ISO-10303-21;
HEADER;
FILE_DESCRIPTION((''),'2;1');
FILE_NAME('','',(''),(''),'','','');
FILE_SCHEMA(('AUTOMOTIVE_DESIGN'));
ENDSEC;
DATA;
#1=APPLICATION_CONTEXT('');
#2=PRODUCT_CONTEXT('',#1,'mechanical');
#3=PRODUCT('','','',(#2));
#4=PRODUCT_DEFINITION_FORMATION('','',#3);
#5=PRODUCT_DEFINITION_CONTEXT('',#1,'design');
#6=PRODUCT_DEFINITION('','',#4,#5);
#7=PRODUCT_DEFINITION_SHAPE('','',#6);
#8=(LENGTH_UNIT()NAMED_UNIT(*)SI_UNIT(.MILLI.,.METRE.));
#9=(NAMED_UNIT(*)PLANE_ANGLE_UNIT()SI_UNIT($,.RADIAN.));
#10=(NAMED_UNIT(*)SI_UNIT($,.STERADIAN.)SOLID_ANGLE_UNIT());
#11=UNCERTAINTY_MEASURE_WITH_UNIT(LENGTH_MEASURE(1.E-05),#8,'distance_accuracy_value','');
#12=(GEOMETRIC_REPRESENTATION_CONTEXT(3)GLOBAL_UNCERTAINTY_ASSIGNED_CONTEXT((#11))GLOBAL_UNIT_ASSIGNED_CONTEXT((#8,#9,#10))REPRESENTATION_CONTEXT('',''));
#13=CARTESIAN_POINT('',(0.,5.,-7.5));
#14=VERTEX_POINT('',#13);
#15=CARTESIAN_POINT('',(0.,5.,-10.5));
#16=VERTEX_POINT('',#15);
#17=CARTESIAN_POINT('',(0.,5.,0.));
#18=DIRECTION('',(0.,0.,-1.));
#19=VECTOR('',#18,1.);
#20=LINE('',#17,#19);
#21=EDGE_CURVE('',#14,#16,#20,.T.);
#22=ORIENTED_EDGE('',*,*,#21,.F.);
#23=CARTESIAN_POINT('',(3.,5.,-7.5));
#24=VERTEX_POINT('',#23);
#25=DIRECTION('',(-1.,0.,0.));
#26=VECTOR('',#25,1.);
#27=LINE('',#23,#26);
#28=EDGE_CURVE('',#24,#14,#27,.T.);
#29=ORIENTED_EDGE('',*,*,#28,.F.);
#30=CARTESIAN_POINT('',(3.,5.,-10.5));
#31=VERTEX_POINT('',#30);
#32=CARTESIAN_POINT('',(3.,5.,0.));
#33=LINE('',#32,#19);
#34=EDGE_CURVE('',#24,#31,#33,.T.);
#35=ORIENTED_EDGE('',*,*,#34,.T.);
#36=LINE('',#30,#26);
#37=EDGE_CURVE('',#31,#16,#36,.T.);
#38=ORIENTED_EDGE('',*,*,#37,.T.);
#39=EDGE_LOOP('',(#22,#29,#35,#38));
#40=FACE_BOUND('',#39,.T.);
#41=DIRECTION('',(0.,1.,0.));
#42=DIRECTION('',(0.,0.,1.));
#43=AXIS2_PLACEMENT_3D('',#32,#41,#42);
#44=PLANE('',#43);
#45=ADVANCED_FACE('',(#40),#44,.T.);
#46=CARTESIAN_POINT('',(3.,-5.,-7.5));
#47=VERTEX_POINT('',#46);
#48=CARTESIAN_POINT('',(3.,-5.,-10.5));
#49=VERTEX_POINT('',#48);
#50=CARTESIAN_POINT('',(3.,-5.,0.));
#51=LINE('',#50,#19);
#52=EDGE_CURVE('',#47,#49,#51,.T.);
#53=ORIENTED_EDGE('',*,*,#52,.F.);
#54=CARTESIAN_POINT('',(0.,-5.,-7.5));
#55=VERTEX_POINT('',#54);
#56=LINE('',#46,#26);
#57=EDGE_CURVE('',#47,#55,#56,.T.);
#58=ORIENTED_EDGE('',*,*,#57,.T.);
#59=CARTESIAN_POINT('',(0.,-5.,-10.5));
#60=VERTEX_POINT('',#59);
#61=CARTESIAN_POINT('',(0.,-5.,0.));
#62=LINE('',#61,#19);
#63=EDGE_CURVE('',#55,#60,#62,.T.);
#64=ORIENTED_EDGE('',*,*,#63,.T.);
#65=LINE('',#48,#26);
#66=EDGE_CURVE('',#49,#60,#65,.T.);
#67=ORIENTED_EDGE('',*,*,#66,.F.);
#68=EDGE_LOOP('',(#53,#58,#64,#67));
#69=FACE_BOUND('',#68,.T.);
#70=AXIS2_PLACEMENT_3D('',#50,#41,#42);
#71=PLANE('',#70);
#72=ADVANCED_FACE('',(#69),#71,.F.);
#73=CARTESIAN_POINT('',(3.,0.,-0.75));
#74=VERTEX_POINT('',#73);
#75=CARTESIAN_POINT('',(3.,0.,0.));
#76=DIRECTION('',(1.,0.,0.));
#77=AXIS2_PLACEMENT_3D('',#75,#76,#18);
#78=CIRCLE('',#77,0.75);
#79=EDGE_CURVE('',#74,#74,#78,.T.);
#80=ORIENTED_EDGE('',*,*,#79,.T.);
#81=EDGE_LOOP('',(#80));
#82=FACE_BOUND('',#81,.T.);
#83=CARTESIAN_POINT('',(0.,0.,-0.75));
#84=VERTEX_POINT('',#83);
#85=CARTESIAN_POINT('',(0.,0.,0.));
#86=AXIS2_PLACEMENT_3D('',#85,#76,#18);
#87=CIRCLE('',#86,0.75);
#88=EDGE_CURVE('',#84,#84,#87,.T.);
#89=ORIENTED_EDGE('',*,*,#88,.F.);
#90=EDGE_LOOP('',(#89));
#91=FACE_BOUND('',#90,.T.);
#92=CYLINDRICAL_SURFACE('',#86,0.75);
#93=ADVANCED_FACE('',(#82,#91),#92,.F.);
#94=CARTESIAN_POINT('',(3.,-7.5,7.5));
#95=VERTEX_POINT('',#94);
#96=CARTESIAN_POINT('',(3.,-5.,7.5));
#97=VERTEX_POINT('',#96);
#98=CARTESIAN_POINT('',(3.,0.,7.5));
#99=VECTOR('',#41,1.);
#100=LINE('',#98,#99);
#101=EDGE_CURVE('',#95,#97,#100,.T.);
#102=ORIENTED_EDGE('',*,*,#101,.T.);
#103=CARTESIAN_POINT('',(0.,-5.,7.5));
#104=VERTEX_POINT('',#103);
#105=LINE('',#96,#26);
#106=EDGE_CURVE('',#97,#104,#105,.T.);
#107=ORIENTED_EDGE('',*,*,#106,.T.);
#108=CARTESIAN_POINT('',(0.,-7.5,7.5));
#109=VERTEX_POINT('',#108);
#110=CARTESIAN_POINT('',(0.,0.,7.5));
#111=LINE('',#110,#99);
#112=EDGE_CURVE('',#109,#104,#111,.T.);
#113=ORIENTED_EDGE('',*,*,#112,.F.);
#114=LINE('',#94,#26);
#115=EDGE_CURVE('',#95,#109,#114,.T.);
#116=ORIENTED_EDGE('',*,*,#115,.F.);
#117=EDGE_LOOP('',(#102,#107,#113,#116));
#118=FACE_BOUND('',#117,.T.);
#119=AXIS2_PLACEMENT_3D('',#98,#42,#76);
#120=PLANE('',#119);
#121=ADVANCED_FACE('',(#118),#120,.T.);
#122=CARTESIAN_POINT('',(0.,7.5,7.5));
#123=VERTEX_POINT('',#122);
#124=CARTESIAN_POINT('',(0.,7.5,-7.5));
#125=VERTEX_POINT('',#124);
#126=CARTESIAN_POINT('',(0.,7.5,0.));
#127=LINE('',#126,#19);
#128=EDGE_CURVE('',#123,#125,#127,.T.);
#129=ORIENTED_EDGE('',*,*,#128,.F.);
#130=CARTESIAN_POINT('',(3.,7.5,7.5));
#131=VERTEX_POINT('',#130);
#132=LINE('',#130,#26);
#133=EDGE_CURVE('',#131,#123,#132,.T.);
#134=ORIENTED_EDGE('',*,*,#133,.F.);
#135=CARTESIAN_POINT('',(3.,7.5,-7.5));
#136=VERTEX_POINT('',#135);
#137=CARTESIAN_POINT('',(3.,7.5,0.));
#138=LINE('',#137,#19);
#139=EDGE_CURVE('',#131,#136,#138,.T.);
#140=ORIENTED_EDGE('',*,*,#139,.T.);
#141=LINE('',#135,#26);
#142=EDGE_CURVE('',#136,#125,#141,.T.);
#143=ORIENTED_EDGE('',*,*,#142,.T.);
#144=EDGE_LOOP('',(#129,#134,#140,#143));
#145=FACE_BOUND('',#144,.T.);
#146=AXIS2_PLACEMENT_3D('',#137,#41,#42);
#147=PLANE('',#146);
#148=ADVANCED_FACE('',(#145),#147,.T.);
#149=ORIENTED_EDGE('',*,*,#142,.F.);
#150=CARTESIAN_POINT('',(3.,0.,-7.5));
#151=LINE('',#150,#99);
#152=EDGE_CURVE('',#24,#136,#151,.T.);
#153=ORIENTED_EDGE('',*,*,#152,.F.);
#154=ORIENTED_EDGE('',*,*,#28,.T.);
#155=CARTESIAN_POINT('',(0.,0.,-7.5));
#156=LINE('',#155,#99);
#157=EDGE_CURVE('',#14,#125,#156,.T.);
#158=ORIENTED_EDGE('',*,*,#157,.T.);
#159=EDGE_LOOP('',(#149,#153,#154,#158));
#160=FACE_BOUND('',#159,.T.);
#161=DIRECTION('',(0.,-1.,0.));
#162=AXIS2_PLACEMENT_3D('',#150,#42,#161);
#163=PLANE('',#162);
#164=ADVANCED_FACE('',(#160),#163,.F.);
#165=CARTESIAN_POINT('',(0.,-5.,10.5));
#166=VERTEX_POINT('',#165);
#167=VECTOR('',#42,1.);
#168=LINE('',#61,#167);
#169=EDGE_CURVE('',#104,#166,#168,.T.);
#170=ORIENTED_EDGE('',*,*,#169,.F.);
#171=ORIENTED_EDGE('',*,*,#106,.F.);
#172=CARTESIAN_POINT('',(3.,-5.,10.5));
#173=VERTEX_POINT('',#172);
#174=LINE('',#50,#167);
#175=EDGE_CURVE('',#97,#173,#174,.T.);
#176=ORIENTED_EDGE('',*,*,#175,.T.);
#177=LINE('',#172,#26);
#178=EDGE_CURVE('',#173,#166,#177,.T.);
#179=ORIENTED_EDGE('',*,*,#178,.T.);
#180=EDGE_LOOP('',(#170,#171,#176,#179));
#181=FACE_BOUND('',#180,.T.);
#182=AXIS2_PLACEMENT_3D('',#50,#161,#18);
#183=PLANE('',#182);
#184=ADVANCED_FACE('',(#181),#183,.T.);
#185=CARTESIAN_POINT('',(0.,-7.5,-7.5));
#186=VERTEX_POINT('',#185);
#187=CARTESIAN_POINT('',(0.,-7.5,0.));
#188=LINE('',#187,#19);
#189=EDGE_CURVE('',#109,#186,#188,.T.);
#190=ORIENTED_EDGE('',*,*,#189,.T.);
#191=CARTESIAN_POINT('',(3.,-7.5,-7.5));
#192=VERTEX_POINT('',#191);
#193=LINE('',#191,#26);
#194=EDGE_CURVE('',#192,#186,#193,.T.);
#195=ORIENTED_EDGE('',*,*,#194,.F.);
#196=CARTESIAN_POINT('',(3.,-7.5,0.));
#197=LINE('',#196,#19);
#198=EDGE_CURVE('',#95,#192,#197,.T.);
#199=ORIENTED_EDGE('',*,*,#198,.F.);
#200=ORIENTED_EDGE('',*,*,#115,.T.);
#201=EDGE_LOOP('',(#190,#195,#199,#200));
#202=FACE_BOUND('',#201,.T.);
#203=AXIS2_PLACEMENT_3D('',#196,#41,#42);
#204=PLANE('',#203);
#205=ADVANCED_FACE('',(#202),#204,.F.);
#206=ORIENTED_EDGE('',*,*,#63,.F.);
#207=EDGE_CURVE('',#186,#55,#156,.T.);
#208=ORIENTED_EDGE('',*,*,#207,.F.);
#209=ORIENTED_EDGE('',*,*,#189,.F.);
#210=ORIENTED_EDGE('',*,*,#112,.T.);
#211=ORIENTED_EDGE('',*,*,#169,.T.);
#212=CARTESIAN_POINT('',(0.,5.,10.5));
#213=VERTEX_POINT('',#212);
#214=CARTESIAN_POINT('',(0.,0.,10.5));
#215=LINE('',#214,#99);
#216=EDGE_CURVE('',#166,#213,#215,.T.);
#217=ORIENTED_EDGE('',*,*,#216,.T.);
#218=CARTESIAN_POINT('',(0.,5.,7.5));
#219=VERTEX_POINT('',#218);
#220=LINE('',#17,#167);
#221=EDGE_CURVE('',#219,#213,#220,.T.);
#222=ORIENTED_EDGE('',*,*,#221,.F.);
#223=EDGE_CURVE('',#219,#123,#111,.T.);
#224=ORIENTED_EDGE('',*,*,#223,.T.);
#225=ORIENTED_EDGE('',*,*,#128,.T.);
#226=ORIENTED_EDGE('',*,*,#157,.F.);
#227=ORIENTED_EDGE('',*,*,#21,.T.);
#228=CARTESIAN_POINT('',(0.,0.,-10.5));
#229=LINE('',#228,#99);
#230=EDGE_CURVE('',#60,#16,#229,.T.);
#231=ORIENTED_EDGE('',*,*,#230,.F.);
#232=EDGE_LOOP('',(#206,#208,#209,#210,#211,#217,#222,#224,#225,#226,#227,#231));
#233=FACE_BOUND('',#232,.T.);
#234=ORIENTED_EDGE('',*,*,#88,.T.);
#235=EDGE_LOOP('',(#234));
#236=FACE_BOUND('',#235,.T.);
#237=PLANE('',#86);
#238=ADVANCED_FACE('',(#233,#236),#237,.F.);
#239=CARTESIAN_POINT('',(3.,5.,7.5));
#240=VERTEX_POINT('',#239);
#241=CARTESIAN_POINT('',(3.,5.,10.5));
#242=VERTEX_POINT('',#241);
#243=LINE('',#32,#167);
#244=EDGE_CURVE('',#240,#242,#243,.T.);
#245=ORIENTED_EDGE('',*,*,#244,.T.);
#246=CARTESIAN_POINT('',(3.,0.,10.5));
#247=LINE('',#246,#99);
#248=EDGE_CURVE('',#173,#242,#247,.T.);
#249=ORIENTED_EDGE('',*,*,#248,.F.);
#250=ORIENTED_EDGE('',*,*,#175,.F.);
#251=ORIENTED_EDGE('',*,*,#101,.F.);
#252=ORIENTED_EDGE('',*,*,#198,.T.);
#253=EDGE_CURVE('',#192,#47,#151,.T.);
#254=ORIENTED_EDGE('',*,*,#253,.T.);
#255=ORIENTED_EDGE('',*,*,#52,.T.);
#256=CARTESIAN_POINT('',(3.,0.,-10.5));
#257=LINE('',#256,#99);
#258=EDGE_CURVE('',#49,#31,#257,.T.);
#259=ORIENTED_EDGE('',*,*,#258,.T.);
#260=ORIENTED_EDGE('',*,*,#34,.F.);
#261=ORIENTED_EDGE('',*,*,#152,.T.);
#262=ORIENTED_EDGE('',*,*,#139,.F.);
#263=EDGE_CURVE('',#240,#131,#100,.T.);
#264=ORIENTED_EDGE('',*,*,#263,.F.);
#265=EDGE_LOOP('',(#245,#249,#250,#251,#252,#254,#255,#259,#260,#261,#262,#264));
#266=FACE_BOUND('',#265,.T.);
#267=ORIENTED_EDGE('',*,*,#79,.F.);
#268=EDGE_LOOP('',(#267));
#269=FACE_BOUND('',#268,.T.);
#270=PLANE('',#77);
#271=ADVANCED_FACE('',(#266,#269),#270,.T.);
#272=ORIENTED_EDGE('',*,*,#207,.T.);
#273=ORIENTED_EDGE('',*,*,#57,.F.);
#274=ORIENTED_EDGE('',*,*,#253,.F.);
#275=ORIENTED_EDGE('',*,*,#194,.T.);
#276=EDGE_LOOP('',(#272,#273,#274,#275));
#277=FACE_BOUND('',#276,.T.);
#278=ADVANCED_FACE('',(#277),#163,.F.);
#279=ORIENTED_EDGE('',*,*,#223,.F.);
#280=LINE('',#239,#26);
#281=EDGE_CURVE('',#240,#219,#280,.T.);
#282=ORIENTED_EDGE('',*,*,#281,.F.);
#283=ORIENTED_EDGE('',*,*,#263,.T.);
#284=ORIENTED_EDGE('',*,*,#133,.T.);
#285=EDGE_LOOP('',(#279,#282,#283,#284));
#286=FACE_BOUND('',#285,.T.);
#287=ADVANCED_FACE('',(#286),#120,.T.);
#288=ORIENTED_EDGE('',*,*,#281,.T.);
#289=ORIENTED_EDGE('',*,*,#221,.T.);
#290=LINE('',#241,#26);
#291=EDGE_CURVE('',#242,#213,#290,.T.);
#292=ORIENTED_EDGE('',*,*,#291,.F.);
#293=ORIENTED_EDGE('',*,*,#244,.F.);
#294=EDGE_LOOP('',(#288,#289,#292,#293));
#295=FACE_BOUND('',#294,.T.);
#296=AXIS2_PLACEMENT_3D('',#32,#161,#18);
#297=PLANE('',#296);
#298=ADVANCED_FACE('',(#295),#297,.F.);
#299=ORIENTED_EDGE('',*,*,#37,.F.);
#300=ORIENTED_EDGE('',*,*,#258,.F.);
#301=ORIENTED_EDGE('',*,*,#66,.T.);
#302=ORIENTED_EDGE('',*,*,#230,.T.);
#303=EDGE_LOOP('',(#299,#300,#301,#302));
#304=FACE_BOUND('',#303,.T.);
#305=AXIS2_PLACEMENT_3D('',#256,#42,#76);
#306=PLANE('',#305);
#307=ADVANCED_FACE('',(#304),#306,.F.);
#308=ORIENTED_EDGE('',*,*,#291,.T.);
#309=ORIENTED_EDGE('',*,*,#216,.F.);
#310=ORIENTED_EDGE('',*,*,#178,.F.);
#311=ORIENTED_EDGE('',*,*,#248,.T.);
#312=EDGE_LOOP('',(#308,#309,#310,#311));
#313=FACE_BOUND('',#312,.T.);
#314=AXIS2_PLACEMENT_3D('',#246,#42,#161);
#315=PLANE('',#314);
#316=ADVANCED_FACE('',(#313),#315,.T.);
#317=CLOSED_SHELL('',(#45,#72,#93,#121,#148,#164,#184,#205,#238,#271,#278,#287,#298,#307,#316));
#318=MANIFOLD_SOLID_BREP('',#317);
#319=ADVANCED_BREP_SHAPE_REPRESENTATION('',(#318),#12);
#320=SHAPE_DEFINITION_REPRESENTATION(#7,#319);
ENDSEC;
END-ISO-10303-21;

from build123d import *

# Parameters (mm, degrees)
SKICA1_W                 = 3
SKICA1_H                 = 10
SKICA1_W_2               = 15
SKICA1_H_2               = 15
P_IDAT_VYSUNUT_M1_DEPTH  = 3
SKICA2_R                 = 0.75
ODEBRAT_VYSUNUT_M1_DEPTH = 3


with BuildPart() as part:
    # Skica1 → Přidat vysunutím1 (new body)
    with BuildSketch(Plane(origin=(0, 0, 0), x_dir=(0, 0, -1), z_dir=(1, 0, 0))):
        with Locations((9, 0)):
            Rectangle(SKICA1_W, SKICA1_H)
        Rectangle(SKICA1_W_2, SKICA1_H_2)
        with Locations((-9, 0)):
            Rectangle(SKICA1_W, SKICA1_H)
    extrude(amount=P_IDAT_VYSUNUT_M1_DEPTH)

    # Skica2 → Odebrat vysunutím1 (cut)
    with BuildSketch(Plane(origin=(3, 0, 0), x_dir=(0, 0, -1), z_dir=(1, 0, 0))):
        Circle(SKICA2_R)
    extrude(amount=-ODEBRAT_VYSUNUT_M1_DEPTH, mode=Mode.SUBTRACT)


solid = part.part
